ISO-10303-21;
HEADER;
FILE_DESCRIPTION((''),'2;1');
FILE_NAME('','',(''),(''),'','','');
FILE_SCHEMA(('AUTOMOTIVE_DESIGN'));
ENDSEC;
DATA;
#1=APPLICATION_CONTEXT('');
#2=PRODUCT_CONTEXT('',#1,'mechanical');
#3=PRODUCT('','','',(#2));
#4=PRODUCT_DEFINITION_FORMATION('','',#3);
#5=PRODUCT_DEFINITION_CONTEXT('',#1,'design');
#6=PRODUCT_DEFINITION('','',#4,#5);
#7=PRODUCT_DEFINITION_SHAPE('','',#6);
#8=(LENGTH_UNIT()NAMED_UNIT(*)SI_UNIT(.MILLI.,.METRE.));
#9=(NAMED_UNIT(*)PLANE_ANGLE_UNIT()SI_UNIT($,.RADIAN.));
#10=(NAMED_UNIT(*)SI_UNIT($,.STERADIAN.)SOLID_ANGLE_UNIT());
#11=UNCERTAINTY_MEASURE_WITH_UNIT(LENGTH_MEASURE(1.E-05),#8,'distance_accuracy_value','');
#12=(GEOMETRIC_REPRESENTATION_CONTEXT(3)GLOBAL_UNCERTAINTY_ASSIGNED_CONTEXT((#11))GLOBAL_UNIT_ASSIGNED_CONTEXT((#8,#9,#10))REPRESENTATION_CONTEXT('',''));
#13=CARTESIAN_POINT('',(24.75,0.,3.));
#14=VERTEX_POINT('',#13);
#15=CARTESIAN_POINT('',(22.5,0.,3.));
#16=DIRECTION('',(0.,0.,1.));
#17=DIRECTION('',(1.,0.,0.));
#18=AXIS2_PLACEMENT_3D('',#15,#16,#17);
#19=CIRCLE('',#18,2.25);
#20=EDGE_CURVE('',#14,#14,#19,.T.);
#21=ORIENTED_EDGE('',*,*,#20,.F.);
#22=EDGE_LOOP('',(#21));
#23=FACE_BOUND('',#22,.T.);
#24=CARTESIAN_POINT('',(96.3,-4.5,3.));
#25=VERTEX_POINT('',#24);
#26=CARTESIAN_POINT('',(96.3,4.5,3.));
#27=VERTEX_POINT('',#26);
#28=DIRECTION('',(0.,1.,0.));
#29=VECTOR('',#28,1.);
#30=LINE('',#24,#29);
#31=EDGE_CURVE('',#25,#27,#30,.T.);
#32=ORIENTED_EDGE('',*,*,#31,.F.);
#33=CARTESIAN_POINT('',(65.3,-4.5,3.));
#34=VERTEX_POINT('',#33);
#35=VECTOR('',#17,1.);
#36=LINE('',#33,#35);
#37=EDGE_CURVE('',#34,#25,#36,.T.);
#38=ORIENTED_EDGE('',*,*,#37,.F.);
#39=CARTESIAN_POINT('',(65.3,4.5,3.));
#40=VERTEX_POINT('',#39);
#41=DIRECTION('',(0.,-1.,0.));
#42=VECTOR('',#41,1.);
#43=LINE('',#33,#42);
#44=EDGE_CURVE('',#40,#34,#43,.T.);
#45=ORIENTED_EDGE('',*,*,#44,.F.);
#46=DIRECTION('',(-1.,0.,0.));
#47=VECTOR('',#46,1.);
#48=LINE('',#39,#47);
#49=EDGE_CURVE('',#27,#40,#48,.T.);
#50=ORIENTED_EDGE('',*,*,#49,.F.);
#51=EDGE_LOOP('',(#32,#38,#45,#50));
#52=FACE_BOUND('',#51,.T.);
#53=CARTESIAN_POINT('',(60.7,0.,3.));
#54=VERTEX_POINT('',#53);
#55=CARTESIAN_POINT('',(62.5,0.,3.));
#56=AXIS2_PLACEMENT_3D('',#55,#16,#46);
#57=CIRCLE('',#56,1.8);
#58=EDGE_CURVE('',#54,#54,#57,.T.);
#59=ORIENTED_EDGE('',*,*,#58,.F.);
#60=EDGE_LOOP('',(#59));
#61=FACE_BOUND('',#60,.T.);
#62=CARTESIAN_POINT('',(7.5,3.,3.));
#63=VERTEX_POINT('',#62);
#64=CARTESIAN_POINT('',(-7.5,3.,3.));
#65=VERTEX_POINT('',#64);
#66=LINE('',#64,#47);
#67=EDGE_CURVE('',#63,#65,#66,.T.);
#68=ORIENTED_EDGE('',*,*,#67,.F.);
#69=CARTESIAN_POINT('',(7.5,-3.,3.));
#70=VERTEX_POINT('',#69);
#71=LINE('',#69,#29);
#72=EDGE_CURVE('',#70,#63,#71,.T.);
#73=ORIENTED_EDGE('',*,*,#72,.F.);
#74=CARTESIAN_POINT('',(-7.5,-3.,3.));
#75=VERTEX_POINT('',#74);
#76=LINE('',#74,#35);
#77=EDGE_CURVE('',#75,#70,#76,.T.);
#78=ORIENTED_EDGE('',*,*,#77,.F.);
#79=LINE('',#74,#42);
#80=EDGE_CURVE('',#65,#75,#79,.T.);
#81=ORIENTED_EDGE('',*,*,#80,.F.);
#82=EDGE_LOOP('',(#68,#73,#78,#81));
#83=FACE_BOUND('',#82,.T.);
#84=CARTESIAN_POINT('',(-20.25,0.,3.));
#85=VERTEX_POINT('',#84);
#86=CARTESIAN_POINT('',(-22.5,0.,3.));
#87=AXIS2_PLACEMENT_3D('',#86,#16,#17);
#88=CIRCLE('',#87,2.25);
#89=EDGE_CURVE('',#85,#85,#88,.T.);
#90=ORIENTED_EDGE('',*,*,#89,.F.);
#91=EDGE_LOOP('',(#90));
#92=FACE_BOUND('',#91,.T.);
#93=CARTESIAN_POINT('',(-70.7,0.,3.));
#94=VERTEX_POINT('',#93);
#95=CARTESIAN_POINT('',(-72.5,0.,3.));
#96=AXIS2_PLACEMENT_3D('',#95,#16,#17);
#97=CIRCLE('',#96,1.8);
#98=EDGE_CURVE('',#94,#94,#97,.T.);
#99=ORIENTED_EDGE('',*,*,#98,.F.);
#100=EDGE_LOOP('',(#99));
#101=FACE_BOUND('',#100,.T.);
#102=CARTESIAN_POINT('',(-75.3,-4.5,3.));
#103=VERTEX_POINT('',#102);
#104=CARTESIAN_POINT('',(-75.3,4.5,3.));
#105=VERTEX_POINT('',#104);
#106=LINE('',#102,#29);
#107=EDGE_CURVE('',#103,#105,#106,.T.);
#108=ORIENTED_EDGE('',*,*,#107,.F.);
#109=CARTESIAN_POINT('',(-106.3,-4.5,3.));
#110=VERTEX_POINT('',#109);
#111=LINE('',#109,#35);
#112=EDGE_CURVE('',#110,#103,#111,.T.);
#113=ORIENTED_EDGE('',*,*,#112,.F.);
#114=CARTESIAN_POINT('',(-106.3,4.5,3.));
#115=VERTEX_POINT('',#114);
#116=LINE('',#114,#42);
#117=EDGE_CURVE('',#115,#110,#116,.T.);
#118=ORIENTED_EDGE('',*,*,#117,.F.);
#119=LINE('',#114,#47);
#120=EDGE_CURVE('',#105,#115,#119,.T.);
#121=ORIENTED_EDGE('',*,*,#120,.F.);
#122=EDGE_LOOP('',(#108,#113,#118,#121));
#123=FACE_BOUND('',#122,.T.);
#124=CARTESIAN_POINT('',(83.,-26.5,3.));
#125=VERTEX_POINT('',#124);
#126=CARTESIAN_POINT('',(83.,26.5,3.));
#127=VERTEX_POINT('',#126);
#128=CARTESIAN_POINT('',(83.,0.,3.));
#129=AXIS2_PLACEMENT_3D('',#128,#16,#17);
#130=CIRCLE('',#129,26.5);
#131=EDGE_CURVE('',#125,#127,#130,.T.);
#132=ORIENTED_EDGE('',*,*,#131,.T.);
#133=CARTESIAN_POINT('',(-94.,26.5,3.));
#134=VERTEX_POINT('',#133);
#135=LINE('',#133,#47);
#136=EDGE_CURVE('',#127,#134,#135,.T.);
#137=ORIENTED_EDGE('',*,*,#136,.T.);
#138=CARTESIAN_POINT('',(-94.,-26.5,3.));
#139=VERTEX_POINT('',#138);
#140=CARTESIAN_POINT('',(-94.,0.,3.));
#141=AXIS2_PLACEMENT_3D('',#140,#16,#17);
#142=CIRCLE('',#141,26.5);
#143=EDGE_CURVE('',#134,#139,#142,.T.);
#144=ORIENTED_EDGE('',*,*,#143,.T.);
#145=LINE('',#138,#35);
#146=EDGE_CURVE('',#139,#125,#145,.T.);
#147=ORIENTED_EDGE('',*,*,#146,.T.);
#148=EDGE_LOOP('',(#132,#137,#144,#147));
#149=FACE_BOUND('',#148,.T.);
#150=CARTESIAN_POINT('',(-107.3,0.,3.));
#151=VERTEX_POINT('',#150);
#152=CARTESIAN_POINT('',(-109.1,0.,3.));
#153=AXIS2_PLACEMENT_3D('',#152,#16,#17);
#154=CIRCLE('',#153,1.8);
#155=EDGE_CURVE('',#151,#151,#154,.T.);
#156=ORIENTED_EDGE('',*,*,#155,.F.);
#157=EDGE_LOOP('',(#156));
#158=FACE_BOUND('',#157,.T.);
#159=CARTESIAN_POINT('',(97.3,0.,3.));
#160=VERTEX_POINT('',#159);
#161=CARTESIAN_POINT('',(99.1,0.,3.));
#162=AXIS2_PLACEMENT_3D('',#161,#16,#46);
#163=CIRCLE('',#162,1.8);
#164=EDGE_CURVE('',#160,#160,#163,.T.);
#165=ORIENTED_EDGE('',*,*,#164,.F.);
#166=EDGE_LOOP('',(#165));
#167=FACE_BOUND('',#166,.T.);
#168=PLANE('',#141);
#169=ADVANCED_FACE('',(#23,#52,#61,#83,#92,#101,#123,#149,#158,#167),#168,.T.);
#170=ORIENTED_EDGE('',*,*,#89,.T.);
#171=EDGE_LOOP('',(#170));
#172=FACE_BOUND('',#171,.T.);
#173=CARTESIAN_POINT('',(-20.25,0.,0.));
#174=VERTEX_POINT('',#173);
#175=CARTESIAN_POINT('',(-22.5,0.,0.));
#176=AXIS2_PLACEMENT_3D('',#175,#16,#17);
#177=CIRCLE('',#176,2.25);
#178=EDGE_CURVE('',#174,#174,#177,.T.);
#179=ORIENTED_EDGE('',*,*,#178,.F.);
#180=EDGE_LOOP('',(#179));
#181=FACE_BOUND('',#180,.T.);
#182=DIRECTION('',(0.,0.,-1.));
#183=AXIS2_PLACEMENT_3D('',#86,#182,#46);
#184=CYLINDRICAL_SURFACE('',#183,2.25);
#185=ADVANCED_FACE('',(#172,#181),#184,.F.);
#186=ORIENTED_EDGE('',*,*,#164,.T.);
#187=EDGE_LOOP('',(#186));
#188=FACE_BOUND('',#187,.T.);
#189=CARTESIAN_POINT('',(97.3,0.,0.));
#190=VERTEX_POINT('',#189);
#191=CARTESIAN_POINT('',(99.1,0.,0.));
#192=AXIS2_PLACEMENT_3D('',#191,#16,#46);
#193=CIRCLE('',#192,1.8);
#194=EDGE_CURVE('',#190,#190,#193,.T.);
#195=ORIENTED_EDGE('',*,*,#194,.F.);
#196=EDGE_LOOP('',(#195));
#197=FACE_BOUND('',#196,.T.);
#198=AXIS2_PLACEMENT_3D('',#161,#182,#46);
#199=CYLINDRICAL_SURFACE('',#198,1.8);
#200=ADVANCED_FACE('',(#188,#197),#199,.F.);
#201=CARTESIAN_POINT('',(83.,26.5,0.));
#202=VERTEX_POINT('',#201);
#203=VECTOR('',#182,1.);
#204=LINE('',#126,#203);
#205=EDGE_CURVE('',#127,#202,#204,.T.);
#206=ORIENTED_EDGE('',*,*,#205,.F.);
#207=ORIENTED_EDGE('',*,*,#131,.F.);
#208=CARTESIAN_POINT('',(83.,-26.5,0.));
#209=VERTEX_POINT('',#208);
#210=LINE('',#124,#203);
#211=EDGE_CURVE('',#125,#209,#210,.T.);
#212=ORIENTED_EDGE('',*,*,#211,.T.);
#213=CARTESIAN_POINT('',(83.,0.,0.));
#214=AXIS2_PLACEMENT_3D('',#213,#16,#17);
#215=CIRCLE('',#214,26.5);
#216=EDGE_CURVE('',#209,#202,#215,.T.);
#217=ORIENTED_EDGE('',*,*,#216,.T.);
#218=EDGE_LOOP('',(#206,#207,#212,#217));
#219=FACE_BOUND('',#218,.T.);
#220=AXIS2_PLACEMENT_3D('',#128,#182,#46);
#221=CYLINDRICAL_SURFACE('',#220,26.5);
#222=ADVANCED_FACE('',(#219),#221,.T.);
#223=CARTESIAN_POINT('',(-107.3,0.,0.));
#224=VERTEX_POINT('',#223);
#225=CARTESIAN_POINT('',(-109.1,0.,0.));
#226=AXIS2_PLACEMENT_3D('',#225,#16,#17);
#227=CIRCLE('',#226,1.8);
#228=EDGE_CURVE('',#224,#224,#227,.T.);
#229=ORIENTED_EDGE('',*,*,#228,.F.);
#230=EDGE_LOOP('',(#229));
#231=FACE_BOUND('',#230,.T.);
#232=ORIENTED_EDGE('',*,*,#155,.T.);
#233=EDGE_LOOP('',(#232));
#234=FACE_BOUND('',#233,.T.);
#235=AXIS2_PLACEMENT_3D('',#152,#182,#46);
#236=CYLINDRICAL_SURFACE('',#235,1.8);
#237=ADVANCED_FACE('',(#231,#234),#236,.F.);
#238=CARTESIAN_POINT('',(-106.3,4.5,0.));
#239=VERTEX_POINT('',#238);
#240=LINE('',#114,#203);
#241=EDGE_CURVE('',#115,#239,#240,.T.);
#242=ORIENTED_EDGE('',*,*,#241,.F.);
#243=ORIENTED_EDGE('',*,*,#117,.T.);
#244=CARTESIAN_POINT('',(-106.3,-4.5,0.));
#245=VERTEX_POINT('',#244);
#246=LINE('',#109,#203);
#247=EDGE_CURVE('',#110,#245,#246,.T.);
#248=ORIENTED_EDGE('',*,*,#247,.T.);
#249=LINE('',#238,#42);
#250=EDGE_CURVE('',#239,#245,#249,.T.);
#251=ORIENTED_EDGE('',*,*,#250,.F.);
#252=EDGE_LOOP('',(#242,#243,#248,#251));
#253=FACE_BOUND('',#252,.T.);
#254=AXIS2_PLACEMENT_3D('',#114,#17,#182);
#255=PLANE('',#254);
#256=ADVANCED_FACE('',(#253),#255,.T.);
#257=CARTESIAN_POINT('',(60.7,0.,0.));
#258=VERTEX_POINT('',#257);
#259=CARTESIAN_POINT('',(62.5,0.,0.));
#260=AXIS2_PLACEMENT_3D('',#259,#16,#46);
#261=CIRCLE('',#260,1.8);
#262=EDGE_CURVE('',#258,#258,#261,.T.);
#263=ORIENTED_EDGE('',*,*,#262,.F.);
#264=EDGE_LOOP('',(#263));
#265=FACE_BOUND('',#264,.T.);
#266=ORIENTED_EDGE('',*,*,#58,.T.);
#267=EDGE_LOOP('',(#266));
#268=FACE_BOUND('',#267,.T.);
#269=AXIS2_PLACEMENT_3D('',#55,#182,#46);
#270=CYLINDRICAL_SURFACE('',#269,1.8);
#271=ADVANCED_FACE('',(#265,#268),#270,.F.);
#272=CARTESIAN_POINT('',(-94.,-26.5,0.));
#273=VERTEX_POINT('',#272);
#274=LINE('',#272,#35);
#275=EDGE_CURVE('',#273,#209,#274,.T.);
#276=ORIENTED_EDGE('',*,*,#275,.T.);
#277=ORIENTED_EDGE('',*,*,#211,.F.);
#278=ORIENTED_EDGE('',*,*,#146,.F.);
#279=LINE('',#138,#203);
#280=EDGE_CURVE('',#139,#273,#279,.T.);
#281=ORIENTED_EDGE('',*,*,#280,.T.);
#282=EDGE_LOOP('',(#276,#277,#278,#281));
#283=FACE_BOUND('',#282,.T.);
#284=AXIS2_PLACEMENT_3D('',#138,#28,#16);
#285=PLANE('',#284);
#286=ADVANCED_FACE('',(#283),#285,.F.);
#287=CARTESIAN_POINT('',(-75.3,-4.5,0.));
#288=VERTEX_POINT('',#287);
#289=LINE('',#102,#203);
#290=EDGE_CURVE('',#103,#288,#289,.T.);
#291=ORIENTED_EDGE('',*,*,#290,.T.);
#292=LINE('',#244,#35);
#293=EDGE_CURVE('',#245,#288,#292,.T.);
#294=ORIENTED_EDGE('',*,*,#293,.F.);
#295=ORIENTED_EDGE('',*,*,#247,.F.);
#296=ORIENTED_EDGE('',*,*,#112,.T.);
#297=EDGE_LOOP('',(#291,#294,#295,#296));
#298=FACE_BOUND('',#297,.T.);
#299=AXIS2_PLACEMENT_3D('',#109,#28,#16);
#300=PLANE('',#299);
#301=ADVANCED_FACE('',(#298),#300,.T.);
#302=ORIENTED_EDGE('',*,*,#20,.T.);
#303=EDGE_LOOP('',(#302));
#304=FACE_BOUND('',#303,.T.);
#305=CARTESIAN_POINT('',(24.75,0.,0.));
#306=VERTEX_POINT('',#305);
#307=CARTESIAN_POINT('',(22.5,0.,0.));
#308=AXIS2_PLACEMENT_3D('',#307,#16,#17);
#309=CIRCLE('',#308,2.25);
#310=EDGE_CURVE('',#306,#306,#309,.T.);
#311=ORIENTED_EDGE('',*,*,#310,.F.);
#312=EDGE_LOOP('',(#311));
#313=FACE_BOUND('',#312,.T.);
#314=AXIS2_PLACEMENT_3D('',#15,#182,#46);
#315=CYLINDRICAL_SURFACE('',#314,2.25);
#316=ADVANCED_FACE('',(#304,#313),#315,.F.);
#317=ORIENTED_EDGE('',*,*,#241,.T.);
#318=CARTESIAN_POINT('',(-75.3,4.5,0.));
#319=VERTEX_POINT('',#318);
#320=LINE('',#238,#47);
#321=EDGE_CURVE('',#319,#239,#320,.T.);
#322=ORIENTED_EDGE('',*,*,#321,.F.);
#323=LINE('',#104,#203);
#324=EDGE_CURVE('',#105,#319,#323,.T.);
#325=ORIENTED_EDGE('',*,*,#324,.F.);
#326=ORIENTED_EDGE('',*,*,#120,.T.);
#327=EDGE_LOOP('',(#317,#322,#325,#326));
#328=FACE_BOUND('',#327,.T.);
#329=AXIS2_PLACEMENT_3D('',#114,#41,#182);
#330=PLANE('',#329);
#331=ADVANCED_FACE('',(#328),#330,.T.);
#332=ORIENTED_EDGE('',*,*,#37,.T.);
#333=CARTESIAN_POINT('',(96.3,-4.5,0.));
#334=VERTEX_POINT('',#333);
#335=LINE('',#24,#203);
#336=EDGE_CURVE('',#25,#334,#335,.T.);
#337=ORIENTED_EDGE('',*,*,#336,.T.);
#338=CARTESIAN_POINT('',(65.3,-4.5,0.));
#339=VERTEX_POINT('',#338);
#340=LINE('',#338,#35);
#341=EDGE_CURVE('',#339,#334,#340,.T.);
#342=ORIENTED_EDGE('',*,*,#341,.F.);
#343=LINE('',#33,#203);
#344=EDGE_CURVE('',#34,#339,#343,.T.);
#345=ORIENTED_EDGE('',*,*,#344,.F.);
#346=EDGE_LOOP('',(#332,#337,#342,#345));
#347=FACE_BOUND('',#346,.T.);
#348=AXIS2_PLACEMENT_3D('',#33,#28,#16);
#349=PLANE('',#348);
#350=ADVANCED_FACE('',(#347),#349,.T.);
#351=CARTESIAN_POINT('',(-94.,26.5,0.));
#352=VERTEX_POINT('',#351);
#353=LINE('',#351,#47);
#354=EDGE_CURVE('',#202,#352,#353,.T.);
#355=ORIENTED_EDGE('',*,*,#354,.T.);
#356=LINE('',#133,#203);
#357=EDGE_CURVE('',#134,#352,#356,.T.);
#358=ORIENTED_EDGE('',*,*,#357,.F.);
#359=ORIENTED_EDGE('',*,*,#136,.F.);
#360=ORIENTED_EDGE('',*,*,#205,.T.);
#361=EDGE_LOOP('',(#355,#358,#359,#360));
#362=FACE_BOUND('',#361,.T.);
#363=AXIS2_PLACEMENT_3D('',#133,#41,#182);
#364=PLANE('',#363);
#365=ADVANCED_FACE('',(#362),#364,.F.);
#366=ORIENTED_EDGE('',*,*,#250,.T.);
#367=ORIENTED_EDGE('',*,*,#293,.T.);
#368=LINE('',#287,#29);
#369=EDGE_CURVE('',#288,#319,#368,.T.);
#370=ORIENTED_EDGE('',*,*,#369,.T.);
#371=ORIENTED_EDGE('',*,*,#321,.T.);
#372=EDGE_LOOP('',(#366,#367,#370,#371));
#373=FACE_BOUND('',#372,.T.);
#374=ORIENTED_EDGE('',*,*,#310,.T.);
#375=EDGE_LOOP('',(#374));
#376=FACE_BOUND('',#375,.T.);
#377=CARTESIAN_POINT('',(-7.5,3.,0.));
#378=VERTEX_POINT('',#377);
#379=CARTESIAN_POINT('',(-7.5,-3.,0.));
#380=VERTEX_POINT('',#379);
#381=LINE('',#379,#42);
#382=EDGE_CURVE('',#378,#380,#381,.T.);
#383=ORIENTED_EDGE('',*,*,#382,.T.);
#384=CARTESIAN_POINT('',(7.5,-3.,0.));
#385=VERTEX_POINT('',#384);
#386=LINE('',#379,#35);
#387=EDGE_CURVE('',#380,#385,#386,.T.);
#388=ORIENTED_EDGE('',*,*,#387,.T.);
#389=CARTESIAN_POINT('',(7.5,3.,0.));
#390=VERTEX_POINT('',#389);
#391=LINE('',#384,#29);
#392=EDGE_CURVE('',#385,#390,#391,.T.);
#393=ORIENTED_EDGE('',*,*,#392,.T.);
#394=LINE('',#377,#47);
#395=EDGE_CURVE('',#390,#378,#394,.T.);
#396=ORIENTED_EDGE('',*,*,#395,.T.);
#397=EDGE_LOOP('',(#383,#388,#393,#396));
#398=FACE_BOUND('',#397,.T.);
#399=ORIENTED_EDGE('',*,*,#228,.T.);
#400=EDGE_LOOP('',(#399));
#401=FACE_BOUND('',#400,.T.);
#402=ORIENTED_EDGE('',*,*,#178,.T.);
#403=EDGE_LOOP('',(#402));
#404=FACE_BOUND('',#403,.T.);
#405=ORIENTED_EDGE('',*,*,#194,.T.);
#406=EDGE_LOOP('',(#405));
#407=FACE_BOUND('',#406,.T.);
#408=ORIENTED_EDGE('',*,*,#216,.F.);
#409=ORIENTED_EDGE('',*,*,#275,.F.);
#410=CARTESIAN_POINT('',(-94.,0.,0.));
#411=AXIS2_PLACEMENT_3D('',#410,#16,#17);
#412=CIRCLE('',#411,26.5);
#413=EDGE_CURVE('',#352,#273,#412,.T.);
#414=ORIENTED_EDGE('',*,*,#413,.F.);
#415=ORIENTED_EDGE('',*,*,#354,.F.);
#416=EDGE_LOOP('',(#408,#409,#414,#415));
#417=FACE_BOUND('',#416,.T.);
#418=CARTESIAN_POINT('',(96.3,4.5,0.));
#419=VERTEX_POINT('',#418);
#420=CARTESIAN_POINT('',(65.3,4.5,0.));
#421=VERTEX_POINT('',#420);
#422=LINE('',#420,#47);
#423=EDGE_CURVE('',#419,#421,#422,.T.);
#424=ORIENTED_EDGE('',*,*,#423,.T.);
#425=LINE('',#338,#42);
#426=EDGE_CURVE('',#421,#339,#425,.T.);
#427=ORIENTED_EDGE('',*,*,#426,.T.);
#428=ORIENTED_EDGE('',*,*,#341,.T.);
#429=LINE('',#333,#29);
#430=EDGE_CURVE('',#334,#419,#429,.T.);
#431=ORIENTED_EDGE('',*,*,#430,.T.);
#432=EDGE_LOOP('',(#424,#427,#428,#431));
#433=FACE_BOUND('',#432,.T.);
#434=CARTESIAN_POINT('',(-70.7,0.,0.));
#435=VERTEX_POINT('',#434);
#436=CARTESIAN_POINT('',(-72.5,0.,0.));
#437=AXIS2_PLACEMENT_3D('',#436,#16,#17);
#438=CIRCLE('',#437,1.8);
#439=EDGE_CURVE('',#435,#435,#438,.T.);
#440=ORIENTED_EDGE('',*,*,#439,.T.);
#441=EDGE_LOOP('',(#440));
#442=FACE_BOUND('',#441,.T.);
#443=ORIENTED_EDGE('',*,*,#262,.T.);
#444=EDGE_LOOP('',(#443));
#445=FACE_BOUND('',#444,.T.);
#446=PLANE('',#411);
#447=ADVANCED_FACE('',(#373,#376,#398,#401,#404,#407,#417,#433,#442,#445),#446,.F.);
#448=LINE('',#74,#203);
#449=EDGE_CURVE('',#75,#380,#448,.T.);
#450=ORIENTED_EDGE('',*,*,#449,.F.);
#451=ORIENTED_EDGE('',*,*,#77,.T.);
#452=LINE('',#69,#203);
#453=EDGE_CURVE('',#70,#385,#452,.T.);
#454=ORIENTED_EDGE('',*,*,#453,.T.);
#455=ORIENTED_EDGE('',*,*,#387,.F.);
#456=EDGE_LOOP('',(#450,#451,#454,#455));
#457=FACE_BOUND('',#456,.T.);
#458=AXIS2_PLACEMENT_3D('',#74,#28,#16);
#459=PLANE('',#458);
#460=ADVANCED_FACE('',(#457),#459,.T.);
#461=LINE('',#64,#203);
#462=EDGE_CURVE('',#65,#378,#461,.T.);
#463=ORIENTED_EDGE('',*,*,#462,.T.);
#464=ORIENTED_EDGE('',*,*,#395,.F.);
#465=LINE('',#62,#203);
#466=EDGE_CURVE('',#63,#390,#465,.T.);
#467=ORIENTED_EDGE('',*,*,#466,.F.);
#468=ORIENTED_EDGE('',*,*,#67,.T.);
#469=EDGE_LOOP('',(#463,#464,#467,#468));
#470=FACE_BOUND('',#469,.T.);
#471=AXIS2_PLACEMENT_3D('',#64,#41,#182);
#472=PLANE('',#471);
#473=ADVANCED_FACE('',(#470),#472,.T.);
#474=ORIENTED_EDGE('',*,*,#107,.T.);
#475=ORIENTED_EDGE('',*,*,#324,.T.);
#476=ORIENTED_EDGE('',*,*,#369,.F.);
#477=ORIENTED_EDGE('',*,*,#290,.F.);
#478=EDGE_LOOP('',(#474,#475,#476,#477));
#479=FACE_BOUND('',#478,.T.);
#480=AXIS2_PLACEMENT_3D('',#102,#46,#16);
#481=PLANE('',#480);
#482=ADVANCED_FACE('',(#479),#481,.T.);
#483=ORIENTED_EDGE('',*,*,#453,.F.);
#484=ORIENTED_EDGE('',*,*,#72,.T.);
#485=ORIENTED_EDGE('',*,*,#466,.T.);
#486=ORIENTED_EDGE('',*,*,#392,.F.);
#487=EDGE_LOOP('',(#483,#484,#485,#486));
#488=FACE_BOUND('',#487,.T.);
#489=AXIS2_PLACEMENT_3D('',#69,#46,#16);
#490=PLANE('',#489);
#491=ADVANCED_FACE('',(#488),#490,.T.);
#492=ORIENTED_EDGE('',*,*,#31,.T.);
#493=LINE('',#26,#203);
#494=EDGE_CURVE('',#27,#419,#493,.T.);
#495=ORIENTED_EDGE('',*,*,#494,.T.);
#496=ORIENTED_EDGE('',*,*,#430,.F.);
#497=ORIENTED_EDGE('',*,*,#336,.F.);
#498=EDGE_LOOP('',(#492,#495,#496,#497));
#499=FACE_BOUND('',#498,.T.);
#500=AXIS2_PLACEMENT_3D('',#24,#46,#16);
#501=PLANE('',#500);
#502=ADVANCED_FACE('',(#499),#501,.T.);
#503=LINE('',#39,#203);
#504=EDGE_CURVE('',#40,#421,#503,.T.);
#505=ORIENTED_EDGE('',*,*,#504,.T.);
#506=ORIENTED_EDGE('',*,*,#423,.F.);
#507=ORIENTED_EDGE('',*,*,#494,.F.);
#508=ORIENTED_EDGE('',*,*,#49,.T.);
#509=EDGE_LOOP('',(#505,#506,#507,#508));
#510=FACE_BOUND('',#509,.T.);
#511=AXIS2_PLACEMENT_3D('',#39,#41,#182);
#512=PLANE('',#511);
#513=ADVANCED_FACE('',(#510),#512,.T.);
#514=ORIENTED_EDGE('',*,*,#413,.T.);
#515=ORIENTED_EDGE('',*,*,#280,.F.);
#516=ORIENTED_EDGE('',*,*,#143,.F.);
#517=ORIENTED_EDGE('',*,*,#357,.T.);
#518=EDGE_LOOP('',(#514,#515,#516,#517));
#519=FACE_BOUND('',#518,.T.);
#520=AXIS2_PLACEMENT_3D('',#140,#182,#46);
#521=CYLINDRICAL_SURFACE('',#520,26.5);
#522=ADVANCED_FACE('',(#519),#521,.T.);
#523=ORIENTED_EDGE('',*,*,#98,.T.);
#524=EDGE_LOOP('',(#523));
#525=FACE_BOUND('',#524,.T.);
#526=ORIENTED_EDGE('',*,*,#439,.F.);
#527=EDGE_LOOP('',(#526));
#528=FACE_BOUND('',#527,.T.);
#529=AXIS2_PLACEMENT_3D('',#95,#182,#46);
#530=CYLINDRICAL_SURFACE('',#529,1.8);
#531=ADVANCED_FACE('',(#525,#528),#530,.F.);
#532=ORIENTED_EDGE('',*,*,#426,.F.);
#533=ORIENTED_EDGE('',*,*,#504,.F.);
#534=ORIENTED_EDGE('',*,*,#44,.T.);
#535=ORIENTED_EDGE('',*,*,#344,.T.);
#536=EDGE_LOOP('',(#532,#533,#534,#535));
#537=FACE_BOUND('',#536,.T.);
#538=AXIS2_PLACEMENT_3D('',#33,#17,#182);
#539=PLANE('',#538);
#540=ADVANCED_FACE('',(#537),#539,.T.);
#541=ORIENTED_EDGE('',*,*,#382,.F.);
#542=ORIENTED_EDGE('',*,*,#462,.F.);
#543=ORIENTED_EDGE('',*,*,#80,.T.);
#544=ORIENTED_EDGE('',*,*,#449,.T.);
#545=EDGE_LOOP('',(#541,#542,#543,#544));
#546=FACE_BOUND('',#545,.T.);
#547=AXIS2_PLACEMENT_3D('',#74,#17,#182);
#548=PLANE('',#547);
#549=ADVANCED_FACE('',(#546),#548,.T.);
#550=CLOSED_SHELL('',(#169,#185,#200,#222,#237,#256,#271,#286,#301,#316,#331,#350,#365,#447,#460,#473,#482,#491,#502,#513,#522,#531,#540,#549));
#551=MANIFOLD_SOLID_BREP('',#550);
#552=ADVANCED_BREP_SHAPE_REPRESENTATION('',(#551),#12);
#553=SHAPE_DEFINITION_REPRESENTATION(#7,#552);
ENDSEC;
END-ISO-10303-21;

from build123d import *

# Parameters (mm, degrees)
ESBO_O1_R                = 2.25
ESBO_O1_R_2              = 1.8
ESBO_O1_W                = 15
ESBO_O1_H                = 6
ESBO_O1_W_2              = 31
ESBO_O1_H_2              = 9
RESSALTO_EXTRUS_O1_DEPTH = 3


with BuildPart() as part:
    # Esboço1 → Ressalto-extrusão1 (new body)
    with BuildSketch(Plane.XY):
        with BuildLine():
            Line((-94, 26.5), (83, 26.5))
            ThreePointArc((83, 26.5), (109.5, 0), (83, -26.5))
            Line((83, -26.5), (-94, -26.5))
            ThreePointArc((-94, -26.5), (-120.5, 0), (-94, 26.5))
        make_face()
        with Locations((-22.5, 0)):
            Circle(ESBO_O1_R, mode=Mode.SUBTRACT)
        with Locations((22.5, 0)):
            Circle(ESBO_O1_R, mode=Mode.SUBTRACT)
        with Locations((-109.1, 0)):
            Circle(ESBO_O1_R_2, mode=Mode.SUBTRACT)
        with Locations((-72.5, 0)):
            Circle(ESBO_O1_R_2, mode=Mode.SUBTRACT)
        with Locations((62.5, 0)):
            Circle(ESBO_O1_R_2, mode=Mode.SUBTRACT)
        with Locations((99.1, 0)):
            Circle(ESBO_O1_R_2, mode=Mode.SUBTRACT)
        Rectangle(ESBO_O1_W, ESBO_O1_H, mode=Mode.SUBTRACT)
        with Locations((-90.8, 0)):
            Rectangle(ESBO_O1_W_2, ESBO_O1_H_2, mode=Mode.SUBTRACT)
        with Locations((80.8, 0)):
            Rectangle(ESBO_O1_W_2, ESBO_O1_H_2, mode=Mode.SUBTRACT)
    extrude(amount=RESSALTO_EXTRUS_O1_DEPTH)


solid = part.part
